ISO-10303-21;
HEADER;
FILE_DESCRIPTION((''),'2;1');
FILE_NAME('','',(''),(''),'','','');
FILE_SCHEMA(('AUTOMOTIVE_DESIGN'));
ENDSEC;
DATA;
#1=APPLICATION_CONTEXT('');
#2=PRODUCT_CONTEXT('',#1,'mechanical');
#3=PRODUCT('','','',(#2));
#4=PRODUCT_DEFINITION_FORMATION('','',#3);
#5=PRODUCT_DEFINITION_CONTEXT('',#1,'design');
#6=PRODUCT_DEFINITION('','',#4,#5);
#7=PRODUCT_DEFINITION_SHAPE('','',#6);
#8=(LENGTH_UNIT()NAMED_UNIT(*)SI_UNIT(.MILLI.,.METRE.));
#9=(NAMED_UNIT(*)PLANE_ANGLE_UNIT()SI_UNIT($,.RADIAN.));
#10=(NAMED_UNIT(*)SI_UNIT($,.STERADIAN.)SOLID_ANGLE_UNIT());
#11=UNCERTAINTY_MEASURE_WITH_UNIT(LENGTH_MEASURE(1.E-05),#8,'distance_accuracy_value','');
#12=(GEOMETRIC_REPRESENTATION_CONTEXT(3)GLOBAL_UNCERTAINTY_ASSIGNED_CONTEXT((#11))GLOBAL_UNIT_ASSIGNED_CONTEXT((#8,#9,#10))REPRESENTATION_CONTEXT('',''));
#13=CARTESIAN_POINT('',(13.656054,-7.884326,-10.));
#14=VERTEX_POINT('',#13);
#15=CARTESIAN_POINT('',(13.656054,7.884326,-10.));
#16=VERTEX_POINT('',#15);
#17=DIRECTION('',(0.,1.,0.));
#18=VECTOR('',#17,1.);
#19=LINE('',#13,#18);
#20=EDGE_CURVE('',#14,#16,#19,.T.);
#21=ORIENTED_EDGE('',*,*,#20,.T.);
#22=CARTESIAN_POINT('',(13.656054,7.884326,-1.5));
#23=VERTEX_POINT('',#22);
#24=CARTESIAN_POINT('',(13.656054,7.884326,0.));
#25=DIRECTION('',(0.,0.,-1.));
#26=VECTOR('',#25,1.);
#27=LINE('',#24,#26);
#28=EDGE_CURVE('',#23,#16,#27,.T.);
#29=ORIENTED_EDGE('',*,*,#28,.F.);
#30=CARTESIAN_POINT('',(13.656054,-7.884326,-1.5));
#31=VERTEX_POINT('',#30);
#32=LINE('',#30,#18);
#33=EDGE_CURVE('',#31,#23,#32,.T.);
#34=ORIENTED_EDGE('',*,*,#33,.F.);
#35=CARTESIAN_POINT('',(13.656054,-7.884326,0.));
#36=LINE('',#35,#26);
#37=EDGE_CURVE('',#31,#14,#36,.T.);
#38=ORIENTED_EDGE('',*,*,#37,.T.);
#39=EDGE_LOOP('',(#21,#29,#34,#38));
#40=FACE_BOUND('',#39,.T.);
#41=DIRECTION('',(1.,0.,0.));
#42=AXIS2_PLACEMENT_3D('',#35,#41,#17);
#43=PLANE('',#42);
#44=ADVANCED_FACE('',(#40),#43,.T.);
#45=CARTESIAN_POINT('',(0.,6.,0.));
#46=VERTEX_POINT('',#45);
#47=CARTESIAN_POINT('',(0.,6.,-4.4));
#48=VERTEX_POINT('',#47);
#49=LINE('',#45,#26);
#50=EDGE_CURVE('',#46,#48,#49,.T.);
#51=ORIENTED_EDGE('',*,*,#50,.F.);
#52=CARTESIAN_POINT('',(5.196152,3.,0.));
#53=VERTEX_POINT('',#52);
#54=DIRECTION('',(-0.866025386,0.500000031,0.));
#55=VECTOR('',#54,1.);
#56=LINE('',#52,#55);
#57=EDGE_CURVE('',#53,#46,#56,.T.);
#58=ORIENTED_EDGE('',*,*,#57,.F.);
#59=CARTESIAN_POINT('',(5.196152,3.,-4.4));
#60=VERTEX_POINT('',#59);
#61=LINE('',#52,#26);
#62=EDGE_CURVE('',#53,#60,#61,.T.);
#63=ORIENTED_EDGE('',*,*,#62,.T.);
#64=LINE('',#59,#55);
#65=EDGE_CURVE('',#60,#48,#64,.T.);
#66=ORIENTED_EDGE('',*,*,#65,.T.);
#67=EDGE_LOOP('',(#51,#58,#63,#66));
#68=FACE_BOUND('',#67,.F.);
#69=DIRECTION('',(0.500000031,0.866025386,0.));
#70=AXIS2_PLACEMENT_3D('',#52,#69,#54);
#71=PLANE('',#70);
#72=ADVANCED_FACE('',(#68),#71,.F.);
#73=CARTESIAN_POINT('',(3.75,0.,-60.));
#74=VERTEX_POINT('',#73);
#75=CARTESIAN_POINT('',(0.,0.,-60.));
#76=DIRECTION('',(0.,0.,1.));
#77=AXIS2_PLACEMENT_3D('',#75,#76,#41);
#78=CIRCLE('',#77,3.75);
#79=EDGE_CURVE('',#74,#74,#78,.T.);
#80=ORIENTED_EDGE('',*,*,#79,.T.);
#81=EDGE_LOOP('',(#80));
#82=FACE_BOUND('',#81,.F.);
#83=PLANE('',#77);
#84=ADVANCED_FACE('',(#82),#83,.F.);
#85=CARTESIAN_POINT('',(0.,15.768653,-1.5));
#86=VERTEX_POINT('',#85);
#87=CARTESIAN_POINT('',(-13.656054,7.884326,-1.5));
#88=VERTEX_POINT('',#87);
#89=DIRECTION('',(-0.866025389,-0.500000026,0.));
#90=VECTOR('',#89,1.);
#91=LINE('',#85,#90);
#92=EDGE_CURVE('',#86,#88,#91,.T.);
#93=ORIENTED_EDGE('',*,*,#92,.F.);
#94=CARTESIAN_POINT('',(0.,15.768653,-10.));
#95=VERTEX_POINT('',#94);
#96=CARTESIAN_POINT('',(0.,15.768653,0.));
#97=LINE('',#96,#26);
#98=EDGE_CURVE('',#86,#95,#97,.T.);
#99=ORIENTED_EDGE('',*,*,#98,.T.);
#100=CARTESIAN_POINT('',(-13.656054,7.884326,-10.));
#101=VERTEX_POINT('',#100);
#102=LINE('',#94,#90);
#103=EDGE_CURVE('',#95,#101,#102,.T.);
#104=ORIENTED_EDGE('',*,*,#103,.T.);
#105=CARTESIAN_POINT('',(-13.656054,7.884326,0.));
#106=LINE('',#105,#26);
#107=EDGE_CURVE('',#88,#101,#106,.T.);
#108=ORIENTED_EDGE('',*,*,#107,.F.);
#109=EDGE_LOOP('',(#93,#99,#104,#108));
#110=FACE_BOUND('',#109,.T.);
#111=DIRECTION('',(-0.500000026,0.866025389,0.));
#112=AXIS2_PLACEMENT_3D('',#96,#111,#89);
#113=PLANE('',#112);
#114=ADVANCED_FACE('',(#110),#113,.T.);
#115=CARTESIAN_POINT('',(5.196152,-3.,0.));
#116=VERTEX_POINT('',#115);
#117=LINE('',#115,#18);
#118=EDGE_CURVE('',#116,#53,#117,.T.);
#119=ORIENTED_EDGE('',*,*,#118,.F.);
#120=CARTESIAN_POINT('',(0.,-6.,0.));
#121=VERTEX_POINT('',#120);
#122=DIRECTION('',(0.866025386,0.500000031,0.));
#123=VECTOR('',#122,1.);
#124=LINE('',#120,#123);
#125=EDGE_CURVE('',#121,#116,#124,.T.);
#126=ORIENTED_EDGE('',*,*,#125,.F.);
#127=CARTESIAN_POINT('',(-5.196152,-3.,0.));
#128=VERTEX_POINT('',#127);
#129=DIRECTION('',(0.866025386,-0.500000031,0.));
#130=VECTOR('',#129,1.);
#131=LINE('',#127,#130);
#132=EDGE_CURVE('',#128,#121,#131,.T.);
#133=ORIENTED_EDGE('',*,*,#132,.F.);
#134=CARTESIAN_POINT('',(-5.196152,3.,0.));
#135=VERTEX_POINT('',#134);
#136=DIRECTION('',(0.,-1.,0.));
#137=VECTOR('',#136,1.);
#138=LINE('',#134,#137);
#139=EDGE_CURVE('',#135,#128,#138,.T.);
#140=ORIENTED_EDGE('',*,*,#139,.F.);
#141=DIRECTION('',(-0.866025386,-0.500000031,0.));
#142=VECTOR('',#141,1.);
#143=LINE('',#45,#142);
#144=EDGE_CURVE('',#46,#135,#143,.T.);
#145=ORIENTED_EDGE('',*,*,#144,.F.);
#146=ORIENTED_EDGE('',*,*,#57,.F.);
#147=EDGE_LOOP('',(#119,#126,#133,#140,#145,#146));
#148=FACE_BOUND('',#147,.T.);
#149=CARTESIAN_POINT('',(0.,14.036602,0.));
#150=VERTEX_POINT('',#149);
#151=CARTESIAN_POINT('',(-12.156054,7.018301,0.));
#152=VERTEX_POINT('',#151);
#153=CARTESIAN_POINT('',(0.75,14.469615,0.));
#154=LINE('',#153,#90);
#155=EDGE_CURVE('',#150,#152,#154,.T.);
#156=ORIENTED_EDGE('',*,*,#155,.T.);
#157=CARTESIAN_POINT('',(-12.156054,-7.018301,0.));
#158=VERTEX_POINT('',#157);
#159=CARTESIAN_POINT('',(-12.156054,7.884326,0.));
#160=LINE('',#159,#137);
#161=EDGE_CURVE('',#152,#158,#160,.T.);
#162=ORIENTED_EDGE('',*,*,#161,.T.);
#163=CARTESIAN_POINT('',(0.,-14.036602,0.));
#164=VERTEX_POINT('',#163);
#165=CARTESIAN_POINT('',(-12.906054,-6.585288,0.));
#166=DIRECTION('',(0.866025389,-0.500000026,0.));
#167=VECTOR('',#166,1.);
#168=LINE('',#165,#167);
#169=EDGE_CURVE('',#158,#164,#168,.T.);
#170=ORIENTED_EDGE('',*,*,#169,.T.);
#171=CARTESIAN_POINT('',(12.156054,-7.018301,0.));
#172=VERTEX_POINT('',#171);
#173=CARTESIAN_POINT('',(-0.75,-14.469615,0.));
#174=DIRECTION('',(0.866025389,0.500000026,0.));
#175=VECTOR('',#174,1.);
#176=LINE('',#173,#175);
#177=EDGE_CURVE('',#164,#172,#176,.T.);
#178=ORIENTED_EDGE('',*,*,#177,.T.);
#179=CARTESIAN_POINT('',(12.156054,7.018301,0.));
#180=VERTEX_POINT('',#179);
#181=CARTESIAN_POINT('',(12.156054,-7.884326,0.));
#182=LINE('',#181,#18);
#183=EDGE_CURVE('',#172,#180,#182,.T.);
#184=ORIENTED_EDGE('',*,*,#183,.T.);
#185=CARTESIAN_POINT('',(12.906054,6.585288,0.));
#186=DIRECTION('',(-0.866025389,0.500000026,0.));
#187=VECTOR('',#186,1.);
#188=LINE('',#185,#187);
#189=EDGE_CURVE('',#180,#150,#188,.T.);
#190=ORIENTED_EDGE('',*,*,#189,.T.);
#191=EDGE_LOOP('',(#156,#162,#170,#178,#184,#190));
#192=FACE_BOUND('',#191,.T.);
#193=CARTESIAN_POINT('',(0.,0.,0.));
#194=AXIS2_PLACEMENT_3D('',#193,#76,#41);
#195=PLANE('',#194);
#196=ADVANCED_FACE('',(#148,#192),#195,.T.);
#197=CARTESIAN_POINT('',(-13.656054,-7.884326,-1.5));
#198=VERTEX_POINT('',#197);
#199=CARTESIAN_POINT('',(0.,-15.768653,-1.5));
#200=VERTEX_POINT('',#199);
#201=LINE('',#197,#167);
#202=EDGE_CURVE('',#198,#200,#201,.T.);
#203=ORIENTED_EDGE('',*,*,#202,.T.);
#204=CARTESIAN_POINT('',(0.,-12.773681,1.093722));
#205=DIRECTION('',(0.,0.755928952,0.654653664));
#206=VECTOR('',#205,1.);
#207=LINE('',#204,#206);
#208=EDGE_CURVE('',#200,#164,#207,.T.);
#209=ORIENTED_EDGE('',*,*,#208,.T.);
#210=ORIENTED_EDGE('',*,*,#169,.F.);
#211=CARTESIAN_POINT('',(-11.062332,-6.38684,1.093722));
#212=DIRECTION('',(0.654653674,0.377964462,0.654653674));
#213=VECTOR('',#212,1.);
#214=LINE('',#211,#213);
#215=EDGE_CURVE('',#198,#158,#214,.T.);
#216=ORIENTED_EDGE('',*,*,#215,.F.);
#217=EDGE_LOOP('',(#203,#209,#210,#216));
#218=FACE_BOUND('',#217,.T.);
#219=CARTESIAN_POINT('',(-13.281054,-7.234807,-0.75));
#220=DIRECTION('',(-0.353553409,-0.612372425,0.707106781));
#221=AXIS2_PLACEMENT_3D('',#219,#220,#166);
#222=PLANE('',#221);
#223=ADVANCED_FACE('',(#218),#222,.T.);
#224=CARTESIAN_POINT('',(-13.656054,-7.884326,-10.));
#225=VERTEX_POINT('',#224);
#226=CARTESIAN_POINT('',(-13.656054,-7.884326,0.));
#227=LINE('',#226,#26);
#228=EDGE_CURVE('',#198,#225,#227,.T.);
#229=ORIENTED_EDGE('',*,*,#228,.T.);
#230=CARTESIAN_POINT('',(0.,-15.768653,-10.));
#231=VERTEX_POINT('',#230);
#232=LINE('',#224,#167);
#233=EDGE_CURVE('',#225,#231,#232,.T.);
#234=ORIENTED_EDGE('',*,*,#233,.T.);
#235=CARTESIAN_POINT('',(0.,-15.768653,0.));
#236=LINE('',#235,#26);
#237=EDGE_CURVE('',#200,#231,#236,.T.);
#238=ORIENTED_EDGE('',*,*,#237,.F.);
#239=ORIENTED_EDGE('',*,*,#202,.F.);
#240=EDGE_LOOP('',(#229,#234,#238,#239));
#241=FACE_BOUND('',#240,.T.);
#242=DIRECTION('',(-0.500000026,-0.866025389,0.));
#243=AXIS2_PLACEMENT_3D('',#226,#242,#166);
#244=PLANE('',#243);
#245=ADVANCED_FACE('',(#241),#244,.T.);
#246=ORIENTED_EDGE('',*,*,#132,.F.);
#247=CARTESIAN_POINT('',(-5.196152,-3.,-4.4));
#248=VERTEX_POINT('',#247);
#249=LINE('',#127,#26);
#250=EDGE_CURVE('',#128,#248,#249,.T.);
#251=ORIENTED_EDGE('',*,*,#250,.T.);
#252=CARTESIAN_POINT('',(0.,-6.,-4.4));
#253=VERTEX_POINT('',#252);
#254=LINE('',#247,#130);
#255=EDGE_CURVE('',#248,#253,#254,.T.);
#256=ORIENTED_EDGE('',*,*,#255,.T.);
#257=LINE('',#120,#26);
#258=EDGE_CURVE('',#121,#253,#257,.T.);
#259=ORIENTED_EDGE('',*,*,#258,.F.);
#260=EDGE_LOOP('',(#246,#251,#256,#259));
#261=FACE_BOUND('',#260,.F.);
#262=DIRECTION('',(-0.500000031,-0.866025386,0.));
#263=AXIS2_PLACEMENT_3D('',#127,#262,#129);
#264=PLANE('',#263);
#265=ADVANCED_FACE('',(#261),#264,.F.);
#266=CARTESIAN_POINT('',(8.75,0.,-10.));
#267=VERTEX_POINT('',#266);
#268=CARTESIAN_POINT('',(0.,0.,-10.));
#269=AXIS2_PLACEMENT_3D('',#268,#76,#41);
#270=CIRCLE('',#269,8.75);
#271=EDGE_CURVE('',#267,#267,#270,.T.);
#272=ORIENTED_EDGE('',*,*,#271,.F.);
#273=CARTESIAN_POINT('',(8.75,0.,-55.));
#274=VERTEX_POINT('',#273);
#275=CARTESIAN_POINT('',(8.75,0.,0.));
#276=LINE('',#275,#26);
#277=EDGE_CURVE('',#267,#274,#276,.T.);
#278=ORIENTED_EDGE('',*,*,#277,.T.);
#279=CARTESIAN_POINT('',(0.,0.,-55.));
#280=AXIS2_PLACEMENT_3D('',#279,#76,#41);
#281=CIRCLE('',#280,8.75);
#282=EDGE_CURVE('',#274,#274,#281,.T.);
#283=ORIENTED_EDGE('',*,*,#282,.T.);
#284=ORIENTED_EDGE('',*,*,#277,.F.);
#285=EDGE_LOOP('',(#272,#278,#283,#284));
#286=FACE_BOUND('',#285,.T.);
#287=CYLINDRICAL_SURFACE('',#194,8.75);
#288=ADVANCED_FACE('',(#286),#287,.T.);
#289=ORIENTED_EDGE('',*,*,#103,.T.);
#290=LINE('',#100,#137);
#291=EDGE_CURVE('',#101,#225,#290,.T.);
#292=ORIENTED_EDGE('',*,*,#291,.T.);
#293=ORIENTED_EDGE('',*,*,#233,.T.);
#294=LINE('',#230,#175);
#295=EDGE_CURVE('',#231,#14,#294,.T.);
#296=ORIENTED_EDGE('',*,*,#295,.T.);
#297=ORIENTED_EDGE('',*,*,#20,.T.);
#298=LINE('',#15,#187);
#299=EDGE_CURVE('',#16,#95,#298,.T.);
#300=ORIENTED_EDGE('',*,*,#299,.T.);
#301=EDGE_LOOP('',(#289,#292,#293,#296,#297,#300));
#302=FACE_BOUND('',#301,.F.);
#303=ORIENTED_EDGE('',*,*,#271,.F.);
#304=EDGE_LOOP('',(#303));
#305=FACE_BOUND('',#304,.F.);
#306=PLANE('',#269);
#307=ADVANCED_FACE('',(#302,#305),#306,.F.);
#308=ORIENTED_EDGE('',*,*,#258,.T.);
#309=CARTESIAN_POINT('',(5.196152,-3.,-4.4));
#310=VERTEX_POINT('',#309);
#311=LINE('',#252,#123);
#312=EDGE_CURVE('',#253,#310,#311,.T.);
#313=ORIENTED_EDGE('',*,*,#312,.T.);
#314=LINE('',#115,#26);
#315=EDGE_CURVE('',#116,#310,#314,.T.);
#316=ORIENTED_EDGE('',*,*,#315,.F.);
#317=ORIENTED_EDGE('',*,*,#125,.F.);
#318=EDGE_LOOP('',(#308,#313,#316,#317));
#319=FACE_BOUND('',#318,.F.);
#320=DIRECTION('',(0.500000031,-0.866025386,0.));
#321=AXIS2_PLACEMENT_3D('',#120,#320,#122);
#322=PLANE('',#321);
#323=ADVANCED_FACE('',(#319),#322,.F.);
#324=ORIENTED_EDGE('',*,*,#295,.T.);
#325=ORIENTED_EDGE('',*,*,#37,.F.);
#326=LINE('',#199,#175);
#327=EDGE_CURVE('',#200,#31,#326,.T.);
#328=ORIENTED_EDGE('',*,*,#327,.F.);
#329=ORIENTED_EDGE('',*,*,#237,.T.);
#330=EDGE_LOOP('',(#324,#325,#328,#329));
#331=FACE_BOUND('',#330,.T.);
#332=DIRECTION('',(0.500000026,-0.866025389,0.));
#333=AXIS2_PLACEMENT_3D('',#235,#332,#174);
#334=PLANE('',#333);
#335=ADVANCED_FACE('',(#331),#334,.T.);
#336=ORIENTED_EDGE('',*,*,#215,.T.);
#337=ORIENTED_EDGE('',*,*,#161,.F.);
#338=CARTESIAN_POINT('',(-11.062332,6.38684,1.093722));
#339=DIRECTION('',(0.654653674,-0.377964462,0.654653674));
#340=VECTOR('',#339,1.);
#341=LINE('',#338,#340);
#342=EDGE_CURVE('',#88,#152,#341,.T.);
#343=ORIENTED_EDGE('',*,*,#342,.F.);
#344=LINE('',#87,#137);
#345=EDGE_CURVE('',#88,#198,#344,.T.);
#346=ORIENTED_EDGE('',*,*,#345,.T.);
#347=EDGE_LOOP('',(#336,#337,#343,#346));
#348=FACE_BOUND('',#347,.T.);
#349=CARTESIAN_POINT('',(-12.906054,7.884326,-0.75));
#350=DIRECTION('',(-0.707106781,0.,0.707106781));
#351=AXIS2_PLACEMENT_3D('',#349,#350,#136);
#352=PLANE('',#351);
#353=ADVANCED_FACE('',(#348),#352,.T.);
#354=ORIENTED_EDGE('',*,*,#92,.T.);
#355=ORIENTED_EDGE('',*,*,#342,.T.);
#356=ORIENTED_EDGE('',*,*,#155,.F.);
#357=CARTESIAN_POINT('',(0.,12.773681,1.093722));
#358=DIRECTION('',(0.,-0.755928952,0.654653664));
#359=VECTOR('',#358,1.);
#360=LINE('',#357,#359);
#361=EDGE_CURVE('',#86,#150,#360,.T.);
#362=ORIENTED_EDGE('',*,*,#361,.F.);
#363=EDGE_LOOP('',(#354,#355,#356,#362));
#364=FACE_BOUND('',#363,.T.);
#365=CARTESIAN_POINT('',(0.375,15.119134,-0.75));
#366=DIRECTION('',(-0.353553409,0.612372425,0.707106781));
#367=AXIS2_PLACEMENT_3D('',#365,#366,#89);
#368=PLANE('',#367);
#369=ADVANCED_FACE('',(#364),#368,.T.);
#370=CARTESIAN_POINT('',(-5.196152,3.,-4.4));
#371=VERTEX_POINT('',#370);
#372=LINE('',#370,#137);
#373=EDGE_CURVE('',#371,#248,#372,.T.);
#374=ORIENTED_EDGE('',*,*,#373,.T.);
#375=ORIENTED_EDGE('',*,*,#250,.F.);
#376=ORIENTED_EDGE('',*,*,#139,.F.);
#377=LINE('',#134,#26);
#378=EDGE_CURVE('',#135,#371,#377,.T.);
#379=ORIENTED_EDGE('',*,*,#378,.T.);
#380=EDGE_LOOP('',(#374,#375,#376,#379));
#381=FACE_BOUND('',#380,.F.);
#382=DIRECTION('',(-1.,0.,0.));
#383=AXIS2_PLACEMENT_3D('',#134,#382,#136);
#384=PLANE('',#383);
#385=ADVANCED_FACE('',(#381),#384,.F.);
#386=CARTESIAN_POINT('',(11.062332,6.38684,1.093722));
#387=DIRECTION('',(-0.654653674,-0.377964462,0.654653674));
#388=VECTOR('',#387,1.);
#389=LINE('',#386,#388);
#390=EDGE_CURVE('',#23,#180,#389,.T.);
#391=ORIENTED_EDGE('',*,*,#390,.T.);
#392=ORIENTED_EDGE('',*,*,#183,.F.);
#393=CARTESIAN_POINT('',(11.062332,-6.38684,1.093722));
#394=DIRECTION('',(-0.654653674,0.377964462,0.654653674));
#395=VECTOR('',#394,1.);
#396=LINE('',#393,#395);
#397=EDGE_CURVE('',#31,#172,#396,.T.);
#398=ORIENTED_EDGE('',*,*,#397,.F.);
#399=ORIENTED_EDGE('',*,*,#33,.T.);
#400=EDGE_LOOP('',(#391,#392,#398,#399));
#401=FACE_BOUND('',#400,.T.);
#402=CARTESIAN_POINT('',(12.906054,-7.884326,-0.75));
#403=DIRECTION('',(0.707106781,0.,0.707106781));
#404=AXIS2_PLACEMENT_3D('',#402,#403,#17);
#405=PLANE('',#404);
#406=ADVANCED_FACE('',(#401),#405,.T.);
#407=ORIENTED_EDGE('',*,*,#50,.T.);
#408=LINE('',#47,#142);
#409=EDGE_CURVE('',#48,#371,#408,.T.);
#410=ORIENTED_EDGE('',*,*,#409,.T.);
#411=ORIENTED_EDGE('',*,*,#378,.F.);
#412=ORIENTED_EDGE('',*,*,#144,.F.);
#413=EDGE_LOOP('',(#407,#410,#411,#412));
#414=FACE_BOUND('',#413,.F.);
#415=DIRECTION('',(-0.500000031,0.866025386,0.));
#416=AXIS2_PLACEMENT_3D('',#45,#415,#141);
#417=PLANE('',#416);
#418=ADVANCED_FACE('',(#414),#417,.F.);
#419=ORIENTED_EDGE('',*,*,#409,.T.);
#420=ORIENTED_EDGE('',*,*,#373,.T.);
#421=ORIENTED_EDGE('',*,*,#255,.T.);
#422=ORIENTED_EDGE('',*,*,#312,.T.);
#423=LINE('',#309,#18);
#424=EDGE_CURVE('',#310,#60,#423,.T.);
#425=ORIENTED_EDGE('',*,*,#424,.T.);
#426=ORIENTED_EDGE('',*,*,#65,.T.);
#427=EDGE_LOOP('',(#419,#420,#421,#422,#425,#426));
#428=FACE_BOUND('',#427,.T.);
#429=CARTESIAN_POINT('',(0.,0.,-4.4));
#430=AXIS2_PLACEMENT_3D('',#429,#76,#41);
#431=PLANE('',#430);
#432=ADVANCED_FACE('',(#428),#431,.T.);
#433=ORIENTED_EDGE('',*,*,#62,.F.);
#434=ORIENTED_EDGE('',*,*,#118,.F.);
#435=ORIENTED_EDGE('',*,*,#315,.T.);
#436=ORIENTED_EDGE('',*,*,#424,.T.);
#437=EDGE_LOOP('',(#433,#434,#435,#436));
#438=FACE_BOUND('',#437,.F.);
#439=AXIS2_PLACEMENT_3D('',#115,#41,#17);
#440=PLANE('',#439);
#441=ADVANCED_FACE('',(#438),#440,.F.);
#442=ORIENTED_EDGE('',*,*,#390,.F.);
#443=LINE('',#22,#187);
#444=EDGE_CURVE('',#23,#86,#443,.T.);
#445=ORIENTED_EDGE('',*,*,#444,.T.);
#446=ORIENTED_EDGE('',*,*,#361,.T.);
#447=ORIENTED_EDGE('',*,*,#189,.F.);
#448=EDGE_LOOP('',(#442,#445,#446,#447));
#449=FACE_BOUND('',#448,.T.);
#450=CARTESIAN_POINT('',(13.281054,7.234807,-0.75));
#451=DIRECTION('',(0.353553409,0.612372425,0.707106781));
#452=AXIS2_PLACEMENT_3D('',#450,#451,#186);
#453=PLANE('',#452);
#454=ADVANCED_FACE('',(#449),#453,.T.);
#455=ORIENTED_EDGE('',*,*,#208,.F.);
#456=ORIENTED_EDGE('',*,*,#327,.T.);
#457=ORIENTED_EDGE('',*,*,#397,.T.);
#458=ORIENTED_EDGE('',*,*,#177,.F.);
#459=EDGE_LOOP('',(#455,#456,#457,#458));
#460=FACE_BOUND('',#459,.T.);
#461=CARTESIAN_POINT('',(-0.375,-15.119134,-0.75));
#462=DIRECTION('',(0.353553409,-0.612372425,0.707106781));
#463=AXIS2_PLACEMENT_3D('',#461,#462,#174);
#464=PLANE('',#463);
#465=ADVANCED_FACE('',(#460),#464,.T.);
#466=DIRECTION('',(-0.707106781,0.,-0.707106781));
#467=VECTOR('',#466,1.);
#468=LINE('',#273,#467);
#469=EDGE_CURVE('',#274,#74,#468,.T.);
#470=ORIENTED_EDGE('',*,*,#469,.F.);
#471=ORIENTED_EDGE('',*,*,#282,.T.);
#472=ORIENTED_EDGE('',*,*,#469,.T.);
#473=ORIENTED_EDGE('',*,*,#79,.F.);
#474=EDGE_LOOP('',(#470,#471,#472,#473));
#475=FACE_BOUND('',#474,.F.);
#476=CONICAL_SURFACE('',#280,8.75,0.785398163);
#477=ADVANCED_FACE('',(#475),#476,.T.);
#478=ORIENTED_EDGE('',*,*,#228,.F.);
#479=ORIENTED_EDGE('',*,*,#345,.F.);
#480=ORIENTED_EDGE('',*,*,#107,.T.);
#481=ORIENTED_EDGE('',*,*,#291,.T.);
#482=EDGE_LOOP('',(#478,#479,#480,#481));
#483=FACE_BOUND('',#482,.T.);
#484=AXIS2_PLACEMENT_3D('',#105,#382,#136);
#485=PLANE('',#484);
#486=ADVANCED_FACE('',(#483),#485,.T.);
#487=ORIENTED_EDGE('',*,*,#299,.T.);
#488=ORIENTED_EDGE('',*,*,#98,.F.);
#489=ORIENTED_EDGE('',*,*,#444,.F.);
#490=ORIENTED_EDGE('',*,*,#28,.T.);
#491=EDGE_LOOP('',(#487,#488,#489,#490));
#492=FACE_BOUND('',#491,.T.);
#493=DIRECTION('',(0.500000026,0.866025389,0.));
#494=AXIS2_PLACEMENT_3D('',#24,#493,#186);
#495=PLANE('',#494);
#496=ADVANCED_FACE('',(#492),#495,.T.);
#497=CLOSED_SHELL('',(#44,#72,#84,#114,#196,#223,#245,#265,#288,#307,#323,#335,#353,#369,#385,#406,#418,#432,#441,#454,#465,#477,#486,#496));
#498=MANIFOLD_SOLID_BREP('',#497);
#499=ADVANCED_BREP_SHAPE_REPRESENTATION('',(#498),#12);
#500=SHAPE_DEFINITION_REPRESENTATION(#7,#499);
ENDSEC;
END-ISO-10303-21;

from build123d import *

# Parameters (mm, degrees)
F0_R     = 8.75
F1_DEPTH = 60
F2_DEPTH = 10
F3_SIZE  = 5
F5_DEPTH = 4.4
F6_SIZE  = 1.5


with BuildPart() as f1:
    # F0 (on Top) → F1 (new body)
    with BuildSketch(Plane.XY):
        Circle(F0_R)
    extrude(amount=-F1_DEPTH)

    # F0 (on Top) → F2 (join)
    with BuildSketch(Plane.XY):
        Polygon((13.656054, -7.884326), (13.656054, 7.884326), (0, 15.768653), (-13.656054, 7.884326), (-13.656054, -7.884326), (0, -15.768653), align=None)
        Circle(F0_R, mode=Mode.SUBTRACT)
        Circle(F0_R)
    extrude(amount=-F2_DEPTH)

    # F3
    f3_edges = [f1.edges().sort_by_distance(p)[0] for p in [
        (-8.75, 0, -60),
    ]]
    chamfer(f3_edges, length=F3_SIZE)

    # F4 (on face) → F5 (cut)
    with BuildSketch(Plane.XY):
        Polygon((5.196152, -3), (5.196152, 3), (0, 6), (-5.196152, 3), (-5.196152, -3), (0, -6), align=None)
    extrude(amount=-F5_DEPTH, mode=Mode.SUBTRACT)

    # F6
    f6_edges = [f1.edges().sort_by_distance(p)[0] for p in [
        (-6.828027, -11.826489, 0),
        (6.828027, -11.826489, 0),
        (13.656054, 0, 0),
        (6.828027, 11.826489, 0),
        (-6.828027, 11.826489, 0),
        (-13.656054, 0, 0),
    ]]
    chamfer(f6_edges, length=F6_SIZE)


solid = f1.part
